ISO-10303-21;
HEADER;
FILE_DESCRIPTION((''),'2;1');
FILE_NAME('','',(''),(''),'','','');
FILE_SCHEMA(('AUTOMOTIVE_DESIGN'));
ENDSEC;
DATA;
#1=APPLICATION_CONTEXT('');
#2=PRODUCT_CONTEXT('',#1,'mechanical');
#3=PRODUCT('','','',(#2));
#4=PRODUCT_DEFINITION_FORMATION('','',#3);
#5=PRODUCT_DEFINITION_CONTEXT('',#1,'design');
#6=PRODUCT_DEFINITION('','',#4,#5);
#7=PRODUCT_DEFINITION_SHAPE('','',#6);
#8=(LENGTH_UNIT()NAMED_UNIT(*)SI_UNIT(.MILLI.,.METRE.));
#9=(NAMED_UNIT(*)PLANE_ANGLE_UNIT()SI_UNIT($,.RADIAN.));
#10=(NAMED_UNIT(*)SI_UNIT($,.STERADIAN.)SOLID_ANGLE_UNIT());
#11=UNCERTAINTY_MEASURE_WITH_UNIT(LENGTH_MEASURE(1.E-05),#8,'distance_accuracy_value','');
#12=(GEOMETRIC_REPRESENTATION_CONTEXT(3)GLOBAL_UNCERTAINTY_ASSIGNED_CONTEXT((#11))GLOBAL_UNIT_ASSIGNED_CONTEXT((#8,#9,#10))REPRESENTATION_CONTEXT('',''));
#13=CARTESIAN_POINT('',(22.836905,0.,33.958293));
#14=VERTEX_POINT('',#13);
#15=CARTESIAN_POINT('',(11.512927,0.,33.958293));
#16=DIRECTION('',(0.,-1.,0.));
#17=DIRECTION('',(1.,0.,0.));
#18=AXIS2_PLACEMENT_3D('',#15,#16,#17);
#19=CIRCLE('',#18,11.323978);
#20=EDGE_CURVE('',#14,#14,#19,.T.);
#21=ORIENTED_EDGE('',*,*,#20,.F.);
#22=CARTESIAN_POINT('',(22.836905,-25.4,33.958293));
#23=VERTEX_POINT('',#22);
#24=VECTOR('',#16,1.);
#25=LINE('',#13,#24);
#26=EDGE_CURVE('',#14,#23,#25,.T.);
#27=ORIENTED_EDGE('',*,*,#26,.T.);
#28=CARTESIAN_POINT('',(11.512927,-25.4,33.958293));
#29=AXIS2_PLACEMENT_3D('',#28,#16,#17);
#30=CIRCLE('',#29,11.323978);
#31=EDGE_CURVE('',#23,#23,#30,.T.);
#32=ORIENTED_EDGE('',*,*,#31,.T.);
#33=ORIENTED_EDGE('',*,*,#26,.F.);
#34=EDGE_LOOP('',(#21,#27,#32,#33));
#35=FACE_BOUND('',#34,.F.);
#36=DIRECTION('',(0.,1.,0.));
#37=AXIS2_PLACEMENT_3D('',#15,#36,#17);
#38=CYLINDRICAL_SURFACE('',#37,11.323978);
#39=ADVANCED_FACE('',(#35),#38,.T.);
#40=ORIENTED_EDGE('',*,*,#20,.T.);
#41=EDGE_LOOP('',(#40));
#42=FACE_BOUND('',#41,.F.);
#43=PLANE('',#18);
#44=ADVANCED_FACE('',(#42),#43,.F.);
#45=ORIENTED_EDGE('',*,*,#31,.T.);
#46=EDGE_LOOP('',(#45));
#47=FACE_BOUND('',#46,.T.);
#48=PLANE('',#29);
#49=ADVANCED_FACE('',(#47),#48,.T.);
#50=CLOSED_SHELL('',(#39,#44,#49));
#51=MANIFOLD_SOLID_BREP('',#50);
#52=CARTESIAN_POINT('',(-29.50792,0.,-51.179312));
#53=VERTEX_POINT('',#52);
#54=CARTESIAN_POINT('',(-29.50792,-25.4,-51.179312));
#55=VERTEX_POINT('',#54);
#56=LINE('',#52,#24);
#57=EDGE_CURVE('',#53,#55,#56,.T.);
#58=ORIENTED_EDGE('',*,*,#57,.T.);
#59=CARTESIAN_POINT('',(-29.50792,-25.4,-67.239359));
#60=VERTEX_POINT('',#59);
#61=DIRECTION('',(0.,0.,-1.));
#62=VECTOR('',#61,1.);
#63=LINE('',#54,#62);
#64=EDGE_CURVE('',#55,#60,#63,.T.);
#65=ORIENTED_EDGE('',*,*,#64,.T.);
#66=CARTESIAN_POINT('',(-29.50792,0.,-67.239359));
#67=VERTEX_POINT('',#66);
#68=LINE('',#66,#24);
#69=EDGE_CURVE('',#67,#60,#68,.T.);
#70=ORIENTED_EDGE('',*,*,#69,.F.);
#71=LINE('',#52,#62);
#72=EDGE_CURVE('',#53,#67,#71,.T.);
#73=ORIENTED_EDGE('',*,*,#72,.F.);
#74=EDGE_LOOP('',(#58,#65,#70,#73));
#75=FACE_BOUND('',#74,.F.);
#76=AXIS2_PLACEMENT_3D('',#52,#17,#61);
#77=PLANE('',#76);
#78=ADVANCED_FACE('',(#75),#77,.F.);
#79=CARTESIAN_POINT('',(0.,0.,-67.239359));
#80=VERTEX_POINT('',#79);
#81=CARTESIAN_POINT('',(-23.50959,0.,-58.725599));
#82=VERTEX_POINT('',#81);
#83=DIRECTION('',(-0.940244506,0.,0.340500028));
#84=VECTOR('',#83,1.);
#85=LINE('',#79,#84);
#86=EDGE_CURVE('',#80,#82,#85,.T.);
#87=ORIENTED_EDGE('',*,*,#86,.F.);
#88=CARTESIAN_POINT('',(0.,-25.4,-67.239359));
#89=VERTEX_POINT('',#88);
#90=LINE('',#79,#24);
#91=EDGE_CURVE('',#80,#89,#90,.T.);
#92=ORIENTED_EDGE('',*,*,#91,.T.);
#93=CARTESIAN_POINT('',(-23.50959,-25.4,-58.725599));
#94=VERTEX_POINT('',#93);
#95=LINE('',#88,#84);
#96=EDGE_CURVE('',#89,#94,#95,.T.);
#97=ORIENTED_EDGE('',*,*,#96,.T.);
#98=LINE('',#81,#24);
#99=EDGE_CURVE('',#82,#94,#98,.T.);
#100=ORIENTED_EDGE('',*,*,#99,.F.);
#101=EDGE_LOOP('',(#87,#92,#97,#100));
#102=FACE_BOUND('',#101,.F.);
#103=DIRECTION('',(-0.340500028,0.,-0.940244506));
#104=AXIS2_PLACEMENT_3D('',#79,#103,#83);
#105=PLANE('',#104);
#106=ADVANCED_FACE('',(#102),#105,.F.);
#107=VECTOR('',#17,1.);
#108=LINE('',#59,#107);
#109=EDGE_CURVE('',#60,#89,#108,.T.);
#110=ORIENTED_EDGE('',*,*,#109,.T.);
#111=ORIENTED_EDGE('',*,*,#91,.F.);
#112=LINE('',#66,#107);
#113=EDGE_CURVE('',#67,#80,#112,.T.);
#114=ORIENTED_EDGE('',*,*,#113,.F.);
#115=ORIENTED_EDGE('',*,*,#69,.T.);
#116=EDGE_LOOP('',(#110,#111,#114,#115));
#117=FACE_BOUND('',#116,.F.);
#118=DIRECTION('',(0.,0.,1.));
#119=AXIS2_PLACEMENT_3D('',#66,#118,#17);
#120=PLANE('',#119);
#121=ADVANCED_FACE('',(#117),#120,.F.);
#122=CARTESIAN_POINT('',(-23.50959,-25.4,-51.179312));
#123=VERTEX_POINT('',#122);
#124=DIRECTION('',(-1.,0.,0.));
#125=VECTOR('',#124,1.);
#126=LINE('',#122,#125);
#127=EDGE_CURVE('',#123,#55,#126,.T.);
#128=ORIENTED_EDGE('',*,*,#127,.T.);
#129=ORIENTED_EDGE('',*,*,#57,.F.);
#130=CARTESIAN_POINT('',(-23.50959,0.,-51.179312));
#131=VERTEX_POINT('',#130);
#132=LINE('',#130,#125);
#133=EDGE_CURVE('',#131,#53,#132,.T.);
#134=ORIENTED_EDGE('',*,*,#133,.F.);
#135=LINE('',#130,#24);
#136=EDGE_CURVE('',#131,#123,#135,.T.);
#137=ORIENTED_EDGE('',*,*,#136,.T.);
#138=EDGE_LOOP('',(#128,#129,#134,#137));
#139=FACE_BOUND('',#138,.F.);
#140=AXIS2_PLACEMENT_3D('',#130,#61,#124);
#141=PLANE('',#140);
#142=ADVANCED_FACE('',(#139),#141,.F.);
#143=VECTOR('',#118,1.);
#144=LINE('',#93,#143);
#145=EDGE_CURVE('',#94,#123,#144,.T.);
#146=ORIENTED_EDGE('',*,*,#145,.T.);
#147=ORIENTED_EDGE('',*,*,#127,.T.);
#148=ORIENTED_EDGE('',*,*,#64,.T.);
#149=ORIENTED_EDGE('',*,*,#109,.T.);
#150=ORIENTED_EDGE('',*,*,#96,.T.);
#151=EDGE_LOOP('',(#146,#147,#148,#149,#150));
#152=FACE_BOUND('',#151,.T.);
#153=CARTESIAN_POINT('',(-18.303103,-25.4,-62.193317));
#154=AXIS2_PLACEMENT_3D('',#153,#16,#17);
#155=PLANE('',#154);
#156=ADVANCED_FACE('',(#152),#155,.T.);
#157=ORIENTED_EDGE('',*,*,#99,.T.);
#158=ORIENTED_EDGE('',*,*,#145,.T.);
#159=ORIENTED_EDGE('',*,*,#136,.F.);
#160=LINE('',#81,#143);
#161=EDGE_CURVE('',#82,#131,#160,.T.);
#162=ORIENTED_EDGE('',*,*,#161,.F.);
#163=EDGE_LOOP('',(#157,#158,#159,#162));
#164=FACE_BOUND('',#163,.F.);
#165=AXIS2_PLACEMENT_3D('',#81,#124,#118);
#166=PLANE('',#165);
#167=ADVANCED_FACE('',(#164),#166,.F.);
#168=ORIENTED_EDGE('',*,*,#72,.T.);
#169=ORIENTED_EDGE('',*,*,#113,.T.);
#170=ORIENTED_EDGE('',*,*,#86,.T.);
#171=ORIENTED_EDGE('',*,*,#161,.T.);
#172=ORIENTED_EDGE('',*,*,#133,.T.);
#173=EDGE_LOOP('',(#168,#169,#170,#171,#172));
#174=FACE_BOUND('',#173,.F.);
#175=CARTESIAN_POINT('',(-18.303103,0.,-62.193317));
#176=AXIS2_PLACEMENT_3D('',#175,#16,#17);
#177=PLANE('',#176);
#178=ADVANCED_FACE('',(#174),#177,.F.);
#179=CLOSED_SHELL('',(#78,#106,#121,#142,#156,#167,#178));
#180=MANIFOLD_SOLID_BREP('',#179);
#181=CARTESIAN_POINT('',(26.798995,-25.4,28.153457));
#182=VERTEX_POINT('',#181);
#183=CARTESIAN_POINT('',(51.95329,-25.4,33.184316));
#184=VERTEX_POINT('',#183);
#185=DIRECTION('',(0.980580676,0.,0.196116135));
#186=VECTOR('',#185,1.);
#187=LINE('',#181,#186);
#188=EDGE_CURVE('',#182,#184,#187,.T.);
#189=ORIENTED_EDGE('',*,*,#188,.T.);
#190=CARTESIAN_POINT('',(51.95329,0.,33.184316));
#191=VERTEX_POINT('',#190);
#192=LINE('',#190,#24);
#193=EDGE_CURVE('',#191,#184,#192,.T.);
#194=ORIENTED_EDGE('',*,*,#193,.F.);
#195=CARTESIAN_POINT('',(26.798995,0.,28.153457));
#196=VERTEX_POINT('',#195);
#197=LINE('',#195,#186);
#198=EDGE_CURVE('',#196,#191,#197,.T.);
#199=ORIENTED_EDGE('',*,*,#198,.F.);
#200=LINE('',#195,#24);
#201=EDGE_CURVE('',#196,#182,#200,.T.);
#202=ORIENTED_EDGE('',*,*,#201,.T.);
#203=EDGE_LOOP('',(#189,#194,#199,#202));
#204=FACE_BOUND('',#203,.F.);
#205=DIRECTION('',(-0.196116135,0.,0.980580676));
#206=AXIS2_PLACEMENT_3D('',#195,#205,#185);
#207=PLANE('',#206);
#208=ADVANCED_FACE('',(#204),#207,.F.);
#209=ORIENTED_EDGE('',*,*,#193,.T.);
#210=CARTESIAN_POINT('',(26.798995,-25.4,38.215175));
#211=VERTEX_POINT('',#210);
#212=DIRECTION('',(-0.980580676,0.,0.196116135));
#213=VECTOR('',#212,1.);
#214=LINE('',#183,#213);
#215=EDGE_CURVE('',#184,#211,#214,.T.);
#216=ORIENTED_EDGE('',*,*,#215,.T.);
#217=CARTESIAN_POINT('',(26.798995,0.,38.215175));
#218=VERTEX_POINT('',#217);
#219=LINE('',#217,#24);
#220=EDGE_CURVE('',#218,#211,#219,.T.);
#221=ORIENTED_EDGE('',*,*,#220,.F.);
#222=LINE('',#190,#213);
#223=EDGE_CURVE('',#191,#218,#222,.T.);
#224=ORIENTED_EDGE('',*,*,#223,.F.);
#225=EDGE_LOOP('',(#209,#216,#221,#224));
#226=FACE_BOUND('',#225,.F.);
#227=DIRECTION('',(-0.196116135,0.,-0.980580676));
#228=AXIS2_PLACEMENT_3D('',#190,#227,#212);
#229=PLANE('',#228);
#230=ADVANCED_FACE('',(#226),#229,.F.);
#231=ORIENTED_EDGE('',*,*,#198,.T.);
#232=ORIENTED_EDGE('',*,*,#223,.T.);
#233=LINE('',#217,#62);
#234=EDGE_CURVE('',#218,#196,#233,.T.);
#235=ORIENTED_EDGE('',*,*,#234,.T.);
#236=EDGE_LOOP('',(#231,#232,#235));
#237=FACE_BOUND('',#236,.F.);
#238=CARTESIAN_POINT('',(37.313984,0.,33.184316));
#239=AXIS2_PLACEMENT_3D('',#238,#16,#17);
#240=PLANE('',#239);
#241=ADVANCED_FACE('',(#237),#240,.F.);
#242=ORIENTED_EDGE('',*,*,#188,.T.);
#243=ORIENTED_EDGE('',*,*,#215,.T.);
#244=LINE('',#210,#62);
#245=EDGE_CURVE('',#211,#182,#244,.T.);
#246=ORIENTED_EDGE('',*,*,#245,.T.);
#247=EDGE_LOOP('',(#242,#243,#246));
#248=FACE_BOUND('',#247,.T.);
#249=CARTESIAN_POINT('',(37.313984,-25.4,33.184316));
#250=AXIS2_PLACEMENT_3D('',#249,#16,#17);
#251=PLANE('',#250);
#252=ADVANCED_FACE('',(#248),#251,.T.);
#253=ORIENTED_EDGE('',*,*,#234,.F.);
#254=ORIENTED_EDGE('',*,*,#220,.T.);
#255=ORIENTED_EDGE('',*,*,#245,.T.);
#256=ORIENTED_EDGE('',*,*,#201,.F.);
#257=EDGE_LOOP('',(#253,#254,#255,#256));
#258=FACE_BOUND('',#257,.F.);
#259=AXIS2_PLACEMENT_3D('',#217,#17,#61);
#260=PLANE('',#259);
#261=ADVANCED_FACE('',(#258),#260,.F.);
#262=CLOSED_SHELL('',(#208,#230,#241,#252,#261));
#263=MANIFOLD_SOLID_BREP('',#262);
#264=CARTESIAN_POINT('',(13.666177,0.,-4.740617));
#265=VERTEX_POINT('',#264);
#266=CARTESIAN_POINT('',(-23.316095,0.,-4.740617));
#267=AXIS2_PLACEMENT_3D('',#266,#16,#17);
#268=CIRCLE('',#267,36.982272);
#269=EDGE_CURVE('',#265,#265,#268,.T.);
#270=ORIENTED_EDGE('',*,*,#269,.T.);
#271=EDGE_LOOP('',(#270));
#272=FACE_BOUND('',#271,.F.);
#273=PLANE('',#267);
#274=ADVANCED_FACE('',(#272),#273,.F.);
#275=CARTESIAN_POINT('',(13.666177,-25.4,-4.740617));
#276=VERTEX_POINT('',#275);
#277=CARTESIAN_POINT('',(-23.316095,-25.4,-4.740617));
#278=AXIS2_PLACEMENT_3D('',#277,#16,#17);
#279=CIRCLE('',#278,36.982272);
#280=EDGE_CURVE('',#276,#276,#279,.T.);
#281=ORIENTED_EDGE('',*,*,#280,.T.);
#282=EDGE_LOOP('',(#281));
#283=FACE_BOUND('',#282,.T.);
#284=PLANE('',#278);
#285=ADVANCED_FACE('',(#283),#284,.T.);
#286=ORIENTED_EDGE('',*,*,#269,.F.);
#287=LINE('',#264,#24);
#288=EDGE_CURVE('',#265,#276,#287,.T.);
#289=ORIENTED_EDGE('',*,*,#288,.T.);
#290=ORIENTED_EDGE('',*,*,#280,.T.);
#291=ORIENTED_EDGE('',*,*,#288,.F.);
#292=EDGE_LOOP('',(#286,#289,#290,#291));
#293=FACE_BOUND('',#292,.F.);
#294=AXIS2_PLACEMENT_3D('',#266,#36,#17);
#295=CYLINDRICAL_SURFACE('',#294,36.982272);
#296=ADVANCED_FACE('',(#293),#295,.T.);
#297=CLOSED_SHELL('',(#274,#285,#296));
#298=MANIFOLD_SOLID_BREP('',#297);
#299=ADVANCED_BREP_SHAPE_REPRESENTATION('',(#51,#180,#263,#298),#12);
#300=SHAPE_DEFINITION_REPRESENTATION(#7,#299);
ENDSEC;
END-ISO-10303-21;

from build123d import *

# Parameters (mm, degrees)
F0_R     = 36.982272
F0_R_2   = 11.323978
F1_DEPTH = 25.4


with BuildPart() as f1:
    # F0 (on Front) → F1 (new body)
    with BuildSketch(Plane.XZ):
        with Locations((-23.316095, -4.740617)):
            Circle(F0_R)
        with Locations((11.512927, 33.958293)):
            Circle(F0_R_2)
        Polygon((51.95329, 33.184316), (26.798995, 38.215175), (26.798995, 28.153457), align=None)
        Polygon((-23.50959, -51.179312), (-29.50792, -51.179312), (-29.50792, -67.239359), (-23.50959, -67.239359), (0, -67.239359), (-23.50959, -58.725599), align=None)
    extrude(amount=F1_DEPTH)


solid = f1.part
